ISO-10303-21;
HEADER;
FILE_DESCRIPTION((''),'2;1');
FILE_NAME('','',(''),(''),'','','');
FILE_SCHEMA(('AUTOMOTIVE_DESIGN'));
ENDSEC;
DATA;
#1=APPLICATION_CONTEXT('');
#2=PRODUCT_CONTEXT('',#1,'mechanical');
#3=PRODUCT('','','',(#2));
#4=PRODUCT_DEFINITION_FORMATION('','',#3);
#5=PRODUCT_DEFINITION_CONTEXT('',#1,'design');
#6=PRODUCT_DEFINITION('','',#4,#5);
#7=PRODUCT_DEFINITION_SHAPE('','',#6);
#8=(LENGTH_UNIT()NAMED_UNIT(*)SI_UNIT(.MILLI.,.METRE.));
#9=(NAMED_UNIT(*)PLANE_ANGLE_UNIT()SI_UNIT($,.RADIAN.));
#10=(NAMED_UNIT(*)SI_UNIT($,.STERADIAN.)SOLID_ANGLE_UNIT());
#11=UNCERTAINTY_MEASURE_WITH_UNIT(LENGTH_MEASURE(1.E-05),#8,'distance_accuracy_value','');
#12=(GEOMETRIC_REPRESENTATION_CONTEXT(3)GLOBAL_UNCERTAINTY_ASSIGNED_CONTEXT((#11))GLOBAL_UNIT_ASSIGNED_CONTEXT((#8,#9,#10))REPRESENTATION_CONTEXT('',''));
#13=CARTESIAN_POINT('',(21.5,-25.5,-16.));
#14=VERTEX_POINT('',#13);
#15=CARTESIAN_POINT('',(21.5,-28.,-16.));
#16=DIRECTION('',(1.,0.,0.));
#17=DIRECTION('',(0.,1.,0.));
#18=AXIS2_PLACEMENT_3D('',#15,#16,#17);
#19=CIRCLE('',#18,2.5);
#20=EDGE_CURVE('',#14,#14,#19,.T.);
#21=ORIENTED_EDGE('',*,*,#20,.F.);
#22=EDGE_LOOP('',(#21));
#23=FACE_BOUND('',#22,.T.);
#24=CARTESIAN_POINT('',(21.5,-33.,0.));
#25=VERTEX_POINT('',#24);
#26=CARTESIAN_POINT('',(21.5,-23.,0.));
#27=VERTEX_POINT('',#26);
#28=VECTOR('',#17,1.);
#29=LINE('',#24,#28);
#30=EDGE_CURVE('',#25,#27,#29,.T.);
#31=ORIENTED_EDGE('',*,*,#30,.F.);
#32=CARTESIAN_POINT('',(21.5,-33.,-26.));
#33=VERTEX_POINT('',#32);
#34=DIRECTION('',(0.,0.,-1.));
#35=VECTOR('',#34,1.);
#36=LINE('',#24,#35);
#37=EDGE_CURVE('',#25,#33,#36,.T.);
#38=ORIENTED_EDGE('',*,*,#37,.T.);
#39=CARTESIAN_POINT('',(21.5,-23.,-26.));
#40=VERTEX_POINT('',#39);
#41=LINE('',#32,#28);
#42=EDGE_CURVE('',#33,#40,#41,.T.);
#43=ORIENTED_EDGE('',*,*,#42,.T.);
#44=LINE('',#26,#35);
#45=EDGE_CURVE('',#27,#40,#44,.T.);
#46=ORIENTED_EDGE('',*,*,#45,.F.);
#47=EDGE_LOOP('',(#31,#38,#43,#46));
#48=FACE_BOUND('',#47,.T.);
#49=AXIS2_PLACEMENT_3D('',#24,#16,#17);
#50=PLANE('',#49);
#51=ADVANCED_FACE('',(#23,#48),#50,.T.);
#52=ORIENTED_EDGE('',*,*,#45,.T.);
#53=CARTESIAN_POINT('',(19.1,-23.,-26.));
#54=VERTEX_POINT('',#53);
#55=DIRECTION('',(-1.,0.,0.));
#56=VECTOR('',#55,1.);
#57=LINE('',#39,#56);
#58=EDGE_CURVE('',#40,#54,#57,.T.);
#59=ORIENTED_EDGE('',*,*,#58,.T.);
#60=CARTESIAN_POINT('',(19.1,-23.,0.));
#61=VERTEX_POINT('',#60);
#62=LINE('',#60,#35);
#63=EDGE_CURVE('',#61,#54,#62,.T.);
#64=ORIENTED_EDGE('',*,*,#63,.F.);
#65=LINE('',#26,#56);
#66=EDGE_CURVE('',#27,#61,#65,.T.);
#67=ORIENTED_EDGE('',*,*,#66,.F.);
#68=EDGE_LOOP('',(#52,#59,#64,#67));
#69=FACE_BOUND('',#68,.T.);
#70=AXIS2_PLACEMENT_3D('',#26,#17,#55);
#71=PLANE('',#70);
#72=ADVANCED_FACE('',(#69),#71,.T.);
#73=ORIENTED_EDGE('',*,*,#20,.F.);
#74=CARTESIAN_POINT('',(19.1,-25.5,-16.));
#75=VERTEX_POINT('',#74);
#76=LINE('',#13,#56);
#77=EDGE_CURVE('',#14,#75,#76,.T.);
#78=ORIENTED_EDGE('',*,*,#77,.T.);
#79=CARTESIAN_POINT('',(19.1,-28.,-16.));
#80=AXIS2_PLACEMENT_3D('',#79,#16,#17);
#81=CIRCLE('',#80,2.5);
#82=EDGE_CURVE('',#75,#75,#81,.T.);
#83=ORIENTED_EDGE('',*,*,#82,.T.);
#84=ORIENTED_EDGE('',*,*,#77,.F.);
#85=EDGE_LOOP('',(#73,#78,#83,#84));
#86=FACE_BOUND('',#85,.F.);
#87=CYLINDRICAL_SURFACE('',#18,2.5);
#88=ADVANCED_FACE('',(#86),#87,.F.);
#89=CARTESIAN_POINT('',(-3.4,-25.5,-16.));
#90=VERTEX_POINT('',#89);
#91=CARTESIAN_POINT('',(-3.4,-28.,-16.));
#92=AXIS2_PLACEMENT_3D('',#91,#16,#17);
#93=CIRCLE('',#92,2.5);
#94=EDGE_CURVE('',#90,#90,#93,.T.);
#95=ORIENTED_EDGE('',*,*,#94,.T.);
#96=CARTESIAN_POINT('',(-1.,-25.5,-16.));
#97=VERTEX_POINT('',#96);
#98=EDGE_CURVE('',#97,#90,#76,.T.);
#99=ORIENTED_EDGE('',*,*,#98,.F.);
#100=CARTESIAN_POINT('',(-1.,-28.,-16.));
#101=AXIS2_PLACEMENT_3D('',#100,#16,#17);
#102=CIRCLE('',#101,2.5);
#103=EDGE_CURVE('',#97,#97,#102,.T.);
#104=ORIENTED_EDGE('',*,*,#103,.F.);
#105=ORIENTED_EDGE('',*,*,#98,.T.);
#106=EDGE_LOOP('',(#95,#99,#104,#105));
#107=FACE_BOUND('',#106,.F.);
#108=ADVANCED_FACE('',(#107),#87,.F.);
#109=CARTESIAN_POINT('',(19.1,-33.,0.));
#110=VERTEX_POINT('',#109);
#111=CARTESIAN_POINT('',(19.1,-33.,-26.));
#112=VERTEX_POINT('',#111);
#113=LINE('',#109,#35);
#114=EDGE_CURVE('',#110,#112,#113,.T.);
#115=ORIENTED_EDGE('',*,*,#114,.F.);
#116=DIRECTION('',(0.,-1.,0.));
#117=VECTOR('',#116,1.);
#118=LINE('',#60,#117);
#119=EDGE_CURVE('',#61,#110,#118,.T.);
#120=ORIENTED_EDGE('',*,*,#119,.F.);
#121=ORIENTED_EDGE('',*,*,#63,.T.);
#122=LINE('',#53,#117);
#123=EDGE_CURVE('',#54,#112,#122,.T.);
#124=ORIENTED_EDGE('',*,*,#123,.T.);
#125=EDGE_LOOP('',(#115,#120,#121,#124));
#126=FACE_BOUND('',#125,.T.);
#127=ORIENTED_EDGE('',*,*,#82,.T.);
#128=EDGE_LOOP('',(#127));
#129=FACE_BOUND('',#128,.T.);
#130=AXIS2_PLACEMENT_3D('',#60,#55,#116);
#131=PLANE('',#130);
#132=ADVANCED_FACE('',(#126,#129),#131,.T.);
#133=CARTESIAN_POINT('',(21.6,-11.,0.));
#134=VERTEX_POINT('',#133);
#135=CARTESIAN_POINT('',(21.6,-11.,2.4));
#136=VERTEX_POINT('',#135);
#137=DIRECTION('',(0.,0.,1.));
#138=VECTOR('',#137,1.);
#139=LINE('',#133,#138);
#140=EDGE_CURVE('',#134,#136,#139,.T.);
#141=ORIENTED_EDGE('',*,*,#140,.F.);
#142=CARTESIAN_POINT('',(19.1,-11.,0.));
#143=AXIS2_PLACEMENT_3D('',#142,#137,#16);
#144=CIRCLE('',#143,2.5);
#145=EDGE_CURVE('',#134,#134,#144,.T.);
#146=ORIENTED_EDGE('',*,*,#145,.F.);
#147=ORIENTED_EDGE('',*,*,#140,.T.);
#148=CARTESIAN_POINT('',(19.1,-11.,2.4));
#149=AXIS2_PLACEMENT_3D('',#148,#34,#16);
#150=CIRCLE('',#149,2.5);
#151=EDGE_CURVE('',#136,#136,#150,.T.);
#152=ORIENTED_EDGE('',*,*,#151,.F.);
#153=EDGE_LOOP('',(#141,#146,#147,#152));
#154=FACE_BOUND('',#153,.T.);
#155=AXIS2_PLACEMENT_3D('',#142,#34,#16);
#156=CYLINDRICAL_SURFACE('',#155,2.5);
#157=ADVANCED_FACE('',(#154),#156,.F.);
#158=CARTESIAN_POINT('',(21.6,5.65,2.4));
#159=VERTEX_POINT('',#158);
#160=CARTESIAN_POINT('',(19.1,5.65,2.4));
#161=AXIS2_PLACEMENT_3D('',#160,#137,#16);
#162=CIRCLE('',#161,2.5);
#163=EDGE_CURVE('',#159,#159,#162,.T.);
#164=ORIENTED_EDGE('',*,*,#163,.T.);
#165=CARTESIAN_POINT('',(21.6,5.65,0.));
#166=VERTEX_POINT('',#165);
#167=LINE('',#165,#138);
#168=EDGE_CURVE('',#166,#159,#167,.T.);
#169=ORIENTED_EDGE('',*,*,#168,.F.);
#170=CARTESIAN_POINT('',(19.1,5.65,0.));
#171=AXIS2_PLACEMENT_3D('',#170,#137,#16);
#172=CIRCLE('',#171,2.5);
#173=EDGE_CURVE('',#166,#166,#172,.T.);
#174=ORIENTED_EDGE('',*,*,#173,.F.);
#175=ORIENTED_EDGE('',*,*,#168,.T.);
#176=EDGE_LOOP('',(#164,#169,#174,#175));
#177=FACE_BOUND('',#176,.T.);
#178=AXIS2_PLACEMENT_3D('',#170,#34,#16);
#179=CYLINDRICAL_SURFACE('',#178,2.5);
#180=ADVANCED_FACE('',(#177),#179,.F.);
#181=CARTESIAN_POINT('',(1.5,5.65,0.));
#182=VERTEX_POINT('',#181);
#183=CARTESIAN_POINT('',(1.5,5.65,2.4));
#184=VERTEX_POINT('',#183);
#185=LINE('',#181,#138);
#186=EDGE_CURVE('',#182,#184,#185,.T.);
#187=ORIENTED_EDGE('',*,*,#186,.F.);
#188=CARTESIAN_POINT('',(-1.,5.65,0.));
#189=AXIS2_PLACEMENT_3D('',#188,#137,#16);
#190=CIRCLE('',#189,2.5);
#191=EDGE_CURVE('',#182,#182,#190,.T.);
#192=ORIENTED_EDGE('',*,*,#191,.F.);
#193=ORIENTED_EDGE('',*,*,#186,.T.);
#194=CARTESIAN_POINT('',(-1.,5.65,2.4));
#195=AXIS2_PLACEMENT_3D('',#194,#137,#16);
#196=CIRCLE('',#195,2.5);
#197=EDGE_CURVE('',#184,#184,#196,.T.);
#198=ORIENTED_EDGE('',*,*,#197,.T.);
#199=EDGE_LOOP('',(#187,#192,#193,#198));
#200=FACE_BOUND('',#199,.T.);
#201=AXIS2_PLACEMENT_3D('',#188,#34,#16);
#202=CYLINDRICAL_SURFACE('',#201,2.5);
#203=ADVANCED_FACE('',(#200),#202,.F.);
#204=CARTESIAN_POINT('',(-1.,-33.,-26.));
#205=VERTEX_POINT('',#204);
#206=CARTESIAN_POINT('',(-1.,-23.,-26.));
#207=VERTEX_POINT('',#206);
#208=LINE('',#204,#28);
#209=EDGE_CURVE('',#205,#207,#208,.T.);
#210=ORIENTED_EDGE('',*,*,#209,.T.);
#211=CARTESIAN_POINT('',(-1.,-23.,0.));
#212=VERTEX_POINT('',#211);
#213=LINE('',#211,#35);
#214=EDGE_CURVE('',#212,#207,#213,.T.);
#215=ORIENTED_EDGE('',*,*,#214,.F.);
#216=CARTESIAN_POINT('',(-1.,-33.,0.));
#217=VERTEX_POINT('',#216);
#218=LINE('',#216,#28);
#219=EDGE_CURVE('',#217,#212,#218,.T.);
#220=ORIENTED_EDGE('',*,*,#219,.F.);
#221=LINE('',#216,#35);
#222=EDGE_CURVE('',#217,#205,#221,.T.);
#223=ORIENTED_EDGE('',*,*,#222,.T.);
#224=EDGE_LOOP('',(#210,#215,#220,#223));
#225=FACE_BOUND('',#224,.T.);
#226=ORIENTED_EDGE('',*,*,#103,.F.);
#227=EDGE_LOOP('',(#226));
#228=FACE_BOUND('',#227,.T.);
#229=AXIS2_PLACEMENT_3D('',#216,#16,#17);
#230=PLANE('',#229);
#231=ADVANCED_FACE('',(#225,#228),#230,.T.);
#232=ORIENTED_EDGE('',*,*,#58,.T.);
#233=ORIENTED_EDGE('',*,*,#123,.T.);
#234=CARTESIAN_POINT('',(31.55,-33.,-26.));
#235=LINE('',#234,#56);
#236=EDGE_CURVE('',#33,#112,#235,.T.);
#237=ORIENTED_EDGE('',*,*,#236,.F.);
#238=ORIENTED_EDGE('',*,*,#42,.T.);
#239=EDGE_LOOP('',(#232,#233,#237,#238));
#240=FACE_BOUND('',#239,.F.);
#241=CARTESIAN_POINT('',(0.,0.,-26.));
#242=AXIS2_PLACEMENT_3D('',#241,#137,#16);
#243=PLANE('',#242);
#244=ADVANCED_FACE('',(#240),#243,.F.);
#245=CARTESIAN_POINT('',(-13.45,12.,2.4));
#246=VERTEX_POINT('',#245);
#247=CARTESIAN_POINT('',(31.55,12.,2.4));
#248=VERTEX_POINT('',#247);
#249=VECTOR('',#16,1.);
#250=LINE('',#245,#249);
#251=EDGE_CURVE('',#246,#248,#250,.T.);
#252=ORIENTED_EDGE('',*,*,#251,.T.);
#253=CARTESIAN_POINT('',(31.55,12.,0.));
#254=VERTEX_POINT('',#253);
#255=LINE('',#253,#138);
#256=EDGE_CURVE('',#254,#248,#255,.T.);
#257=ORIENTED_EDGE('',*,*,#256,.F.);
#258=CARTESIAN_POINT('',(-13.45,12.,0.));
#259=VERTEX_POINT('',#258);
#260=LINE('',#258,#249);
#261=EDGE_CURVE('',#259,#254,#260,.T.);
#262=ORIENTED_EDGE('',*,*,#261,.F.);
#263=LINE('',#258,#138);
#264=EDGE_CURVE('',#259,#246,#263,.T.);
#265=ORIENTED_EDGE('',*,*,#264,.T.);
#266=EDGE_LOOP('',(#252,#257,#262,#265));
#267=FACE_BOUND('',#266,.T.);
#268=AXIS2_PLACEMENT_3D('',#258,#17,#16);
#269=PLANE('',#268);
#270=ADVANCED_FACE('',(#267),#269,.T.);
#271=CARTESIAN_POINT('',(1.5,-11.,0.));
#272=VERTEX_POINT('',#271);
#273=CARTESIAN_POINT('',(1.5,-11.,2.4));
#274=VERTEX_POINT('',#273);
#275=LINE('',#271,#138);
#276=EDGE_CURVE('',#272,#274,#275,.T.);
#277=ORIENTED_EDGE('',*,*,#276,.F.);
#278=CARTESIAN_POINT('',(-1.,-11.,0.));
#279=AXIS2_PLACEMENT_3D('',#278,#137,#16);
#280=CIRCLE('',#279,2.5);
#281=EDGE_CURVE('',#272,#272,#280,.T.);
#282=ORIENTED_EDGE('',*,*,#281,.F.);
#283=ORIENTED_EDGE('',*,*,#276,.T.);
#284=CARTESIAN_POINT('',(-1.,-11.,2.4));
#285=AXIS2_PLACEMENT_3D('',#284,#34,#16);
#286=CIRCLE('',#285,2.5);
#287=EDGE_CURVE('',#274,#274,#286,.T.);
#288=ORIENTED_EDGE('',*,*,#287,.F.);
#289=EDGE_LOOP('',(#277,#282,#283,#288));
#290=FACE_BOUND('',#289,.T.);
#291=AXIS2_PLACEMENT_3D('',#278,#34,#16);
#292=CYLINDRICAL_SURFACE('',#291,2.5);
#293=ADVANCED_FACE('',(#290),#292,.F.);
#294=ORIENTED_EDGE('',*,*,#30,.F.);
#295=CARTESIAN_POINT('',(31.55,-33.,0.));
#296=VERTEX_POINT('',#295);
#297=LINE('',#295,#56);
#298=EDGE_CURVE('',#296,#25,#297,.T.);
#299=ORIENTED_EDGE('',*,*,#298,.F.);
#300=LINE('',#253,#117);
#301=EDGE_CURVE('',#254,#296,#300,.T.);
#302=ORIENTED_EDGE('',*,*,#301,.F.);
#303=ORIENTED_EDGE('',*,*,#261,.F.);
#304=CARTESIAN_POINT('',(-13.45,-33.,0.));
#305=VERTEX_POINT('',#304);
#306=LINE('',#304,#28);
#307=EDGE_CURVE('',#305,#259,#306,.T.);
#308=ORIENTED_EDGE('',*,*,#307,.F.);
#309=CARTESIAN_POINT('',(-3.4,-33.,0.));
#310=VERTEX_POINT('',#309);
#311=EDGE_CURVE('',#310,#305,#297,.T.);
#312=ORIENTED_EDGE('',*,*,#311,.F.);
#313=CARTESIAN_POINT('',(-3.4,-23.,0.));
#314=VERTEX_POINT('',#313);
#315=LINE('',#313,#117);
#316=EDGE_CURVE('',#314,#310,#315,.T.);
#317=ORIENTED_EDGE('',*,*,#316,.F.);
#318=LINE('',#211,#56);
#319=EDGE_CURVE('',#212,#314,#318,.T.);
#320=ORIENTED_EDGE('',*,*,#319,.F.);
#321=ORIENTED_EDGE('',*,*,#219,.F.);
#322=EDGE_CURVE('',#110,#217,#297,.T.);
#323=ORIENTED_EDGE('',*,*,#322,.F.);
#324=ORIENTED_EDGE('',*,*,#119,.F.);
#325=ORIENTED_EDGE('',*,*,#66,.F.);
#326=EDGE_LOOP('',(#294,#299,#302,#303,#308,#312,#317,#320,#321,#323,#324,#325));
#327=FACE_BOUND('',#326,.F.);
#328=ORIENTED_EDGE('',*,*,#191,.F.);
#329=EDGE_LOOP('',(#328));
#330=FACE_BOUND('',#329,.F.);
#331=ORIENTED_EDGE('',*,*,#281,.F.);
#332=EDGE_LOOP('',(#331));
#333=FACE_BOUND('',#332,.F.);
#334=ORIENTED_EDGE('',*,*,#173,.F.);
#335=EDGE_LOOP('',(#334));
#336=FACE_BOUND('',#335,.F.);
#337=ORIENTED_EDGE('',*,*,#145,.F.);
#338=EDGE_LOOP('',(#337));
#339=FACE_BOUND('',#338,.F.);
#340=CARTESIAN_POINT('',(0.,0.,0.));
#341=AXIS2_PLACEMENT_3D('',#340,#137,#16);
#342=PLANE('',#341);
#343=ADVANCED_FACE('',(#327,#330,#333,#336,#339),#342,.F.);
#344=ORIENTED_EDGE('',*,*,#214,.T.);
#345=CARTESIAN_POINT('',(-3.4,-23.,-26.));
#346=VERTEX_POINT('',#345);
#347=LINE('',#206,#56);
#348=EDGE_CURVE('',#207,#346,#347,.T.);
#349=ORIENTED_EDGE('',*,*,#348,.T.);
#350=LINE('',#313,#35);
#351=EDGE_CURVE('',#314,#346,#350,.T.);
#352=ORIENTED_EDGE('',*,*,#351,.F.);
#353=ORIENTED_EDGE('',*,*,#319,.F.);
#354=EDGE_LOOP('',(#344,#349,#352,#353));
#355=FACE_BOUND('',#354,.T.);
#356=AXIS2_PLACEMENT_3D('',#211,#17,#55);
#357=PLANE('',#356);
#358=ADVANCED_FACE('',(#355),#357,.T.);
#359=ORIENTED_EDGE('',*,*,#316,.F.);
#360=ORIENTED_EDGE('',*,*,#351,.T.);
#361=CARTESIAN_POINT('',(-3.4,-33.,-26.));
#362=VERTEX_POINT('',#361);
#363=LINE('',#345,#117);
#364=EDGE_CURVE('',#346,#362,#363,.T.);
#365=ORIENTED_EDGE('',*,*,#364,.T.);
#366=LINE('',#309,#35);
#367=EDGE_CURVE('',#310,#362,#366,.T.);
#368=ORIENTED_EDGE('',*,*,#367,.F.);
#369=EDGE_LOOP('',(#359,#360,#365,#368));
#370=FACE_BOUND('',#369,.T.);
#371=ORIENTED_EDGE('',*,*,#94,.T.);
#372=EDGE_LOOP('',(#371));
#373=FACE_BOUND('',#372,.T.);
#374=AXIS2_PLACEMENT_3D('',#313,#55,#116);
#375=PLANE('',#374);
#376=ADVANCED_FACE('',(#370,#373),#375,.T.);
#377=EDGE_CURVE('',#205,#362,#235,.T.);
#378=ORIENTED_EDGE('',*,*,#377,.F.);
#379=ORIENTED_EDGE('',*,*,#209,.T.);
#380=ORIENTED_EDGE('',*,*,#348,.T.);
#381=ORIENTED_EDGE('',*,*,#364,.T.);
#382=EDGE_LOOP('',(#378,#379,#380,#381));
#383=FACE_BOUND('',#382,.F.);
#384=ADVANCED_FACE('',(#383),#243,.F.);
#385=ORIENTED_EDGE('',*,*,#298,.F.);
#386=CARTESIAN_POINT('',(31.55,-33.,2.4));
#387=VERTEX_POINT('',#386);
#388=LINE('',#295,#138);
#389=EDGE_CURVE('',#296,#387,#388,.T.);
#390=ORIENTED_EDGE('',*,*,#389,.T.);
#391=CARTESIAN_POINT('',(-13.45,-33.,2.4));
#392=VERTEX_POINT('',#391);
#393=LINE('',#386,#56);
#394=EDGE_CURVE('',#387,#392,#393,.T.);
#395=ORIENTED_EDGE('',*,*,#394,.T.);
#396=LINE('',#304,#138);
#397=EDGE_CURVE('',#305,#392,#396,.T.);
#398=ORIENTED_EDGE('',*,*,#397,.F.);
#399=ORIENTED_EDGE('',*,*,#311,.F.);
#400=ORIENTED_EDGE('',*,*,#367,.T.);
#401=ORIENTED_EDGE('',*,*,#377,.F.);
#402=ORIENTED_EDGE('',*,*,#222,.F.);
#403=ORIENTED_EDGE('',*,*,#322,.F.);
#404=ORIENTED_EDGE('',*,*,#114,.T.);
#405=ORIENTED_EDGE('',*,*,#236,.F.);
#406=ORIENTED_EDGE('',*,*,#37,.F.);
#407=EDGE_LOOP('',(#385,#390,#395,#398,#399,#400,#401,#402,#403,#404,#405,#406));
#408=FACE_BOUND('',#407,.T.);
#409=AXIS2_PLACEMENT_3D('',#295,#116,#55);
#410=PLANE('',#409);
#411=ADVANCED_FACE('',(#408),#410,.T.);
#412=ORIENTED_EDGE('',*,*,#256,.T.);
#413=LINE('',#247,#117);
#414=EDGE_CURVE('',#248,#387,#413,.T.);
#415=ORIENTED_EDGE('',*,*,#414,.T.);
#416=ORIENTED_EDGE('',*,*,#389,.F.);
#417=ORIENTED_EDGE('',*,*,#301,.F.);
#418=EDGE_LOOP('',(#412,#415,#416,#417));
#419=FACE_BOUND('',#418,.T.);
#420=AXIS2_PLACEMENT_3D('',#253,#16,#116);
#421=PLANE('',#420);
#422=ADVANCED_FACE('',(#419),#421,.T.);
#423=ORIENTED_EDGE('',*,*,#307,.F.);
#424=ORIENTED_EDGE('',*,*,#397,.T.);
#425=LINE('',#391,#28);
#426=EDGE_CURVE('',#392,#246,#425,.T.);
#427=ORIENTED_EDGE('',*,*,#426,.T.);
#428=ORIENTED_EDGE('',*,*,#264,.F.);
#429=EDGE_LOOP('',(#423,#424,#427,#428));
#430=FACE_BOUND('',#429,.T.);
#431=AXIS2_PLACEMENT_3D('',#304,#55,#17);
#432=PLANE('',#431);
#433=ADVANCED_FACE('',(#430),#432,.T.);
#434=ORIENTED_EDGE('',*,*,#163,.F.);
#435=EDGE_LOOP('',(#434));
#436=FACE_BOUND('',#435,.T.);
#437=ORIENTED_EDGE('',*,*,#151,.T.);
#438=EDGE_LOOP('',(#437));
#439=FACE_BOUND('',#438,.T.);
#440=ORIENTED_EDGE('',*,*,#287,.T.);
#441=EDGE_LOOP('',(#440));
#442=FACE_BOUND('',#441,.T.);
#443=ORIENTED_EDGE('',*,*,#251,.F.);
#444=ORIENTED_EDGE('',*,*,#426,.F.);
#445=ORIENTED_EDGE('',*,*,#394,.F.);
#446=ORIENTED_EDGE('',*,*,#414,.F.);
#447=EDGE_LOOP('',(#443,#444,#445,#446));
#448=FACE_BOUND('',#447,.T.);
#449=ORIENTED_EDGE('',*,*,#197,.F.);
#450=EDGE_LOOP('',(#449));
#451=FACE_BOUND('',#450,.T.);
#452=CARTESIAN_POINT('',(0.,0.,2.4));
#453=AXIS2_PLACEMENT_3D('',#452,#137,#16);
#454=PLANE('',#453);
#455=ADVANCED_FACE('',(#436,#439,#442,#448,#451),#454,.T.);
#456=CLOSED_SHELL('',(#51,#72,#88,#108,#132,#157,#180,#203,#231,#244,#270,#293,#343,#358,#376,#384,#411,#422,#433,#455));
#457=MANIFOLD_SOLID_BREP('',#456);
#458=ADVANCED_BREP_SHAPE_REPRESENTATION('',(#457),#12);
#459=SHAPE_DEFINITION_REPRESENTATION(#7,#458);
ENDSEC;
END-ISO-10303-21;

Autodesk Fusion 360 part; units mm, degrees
sketch "Sketch1" plane through (0, 0, 0) normal (0, 0, 1) x (1, 0, 0)
  line L0 (-13.45, 12) -> (31.55, 12)
  line L1 (31.55, 12) -> (31.55, -33)
  line L2 (31.55, -33) -> (-13.45, -33)
  line L3 (-13.45, -33) -> (-13.45, 12)
  line L4 (-3.4, -33) -> (-1, -33)
  line L5 (-1, -33) -> (-1, -23)
  line L6 (-1, -23) -> (-3.4, -23)
  line L7 (-3.4, -23) -> (-3.4, -33)
  line L8 (19.1, -23) -> (19.1, -33)
  line L9 (21.5, -23) -> (19.1, -23)
  line L10 (21.5, -33) -> (21.5, -23)
  line L11 (19.1, -33) -> (21.5, -33)
  circle A0 centre (-1, 5.65) radius 2.5
  circle A1 centre (-1, 5.65) radius 7.65
  circle A2 centre (19.1, 5.65) radius 7.65
  circle A3 centre (19.1, 5.65) radius 2.5
  circle A4 centre (-1, -11) radius 2.5
  circle A5 centre (19.1, -11) radius 2.5
  circle A6 centre (-1, -11) radius 9
  circle A7 centre (19.1, -11) radius 9
  dimension "d1" = 45
  dimension "d2" = 45
  dimension "d3" = 10
  dimension "d4" = 2.4
  dimension "d5" = 10.05
  dimension "d7" = 2.4
  dimension "d8" = 20.1
  dimension "d9" = 5
  dimension "d10" = 6.35
  dimension "d11" = 15.3
  dimension "d13" = 5
  dimension "d14" = 15.3
  dimension "d15" = 20.1
  dimension "d16" = 12.45
  dimension "d25" = 5
  dimension "d26" = 5
  dimension "d27" = 20.1
  dimension "d28" = 12.45
  dimension "d31" = 18
  dimension "d32" = 18
extrude "Extrude1" add sketch "Sketch1" along normal blind 2.4 contours A7 | A6 | L0 L1 L2 L3 L5 L6 L7 L8 L9 L10 A1 A2 | L0 A1 | L2 L4 L5 L6 L7 | L0 A2 | L2 L8 L9 L10 L11 | A4 | A5 picked at (-1.0623, 10.7143) picked at (19.0377, 10.7143)
extrude "Extrude2" add sketch "Sketch1" against normal blind 26 contours L2 L4 L5 L6 L7 | L2 L8 L9 L10 L11
sketch "Sketch2" plane through (21.5, 0, 0) normal (1, 0, 0) x (0, 1, 0)
  line L0 (-23, 0) -> (-33, 0)
  line L1 (-33, 0) -> (-33, -26)
  line L2 (-33, -26) -> (-23, -26)
  line L3 (-23, -26) -> (-23, 0)
  circle A0 centre (-28, -16) radius 2.5
  dimension "d21" = 5
  dimension "d22" = 10
extrude "Extrude3" cut sketch "Sketch2" against normal blind 30 contours A0
extrude "Extrude4" cut sketch "Sketch1" along normal blind 3 contours A4 | A5
